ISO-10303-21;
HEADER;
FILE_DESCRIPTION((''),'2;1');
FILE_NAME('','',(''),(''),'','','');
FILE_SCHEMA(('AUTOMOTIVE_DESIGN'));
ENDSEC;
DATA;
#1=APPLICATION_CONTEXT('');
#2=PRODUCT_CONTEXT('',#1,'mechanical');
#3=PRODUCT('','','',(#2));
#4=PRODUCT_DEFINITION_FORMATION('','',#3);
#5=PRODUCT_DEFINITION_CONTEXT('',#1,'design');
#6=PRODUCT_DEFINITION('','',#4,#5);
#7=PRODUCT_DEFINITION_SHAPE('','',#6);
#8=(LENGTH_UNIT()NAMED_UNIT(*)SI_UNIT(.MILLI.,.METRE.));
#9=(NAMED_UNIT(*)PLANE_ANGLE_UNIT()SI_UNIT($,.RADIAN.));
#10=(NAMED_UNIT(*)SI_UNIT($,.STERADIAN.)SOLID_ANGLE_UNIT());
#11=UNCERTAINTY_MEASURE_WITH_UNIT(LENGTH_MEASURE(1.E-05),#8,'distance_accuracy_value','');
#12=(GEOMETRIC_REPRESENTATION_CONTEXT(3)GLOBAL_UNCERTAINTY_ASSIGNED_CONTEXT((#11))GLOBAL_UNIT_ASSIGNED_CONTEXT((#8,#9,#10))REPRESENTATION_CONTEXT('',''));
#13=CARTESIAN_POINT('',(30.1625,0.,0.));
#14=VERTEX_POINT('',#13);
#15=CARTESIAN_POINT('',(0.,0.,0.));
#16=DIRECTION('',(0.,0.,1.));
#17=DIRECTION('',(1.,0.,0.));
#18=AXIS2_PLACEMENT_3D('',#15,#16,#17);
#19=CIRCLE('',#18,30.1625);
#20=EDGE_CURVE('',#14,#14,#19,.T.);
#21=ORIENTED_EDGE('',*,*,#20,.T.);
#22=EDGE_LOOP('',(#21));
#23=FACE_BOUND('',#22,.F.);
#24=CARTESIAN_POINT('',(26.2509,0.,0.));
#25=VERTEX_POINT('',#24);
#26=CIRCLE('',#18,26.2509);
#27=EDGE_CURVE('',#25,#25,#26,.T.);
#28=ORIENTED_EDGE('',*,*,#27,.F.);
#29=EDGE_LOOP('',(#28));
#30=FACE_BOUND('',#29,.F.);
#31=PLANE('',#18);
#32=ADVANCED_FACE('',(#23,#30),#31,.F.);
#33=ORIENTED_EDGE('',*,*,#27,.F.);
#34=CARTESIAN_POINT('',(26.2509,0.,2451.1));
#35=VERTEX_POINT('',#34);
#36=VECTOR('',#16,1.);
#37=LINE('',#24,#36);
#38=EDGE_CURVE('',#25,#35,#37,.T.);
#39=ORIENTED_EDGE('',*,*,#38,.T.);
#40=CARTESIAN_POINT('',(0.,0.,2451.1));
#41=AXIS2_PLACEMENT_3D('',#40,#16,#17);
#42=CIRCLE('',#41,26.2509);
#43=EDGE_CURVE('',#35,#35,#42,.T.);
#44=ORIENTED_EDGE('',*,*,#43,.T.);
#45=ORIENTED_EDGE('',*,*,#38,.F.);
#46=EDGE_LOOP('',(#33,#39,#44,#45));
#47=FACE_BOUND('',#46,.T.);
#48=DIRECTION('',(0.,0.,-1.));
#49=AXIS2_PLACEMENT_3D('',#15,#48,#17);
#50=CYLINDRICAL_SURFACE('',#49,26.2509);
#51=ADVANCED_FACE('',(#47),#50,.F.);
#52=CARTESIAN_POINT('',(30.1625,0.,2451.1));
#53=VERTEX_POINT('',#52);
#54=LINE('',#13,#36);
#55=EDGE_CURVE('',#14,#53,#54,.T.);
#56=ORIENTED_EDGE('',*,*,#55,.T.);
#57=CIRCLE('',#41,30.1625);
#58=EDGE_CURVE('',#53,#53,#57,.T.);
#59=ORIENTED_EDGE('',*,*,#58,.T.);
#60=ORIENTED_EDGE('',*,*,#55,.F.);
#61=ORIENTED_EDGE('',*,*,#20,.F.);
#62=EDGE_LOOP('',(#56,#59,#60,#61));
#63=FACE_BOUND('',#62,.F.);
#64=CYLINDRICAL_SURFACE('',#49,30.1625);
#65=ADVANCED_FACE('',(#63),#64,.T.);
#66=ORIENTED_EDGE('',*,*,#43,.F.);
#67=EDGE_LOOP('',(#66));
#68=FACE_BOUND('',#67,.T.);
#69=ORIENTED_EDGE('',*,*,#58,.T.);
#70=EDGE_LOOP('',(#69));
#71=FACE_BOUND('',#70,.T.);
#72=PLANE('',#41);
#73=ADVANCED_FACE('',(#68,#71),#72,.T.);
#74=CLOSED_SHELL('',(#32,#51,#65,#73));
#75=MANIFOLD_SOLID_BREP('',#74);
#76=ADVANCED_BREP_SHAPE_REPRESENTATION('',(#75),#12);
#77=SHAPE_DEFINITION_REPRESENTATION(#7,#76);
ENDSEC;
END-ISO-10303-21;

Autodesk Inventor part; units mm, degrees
ref_plane "YZ Plane" through (0, 0, 0) normal (1, 0, 0) x (0, 1, 0)
ref_plane "XZ Plane" through (0, 0, 0) normal (0, 1, 0) x (-1, 0, 0)
ref_plane "XY Plane" through (0, 0, 0) normal (0, 0, 1) x (1, 0, 0)
sketch "Sketch1" plane through (0, 0, 0) normal (0, 0, 1) x (1, 0, 0)
  circle A0 centre (0, 0) radius 30.1625
  circle A1 centre (0, 0) radius 26.2509
  dimension "d0" = 60.325
  dimension "d1" = 3.9116
extrude "Extrusion1" add sketch "Sketch1" along normal blind 2451.1
properties part number "pvcSection" material "PVC-Piping"
